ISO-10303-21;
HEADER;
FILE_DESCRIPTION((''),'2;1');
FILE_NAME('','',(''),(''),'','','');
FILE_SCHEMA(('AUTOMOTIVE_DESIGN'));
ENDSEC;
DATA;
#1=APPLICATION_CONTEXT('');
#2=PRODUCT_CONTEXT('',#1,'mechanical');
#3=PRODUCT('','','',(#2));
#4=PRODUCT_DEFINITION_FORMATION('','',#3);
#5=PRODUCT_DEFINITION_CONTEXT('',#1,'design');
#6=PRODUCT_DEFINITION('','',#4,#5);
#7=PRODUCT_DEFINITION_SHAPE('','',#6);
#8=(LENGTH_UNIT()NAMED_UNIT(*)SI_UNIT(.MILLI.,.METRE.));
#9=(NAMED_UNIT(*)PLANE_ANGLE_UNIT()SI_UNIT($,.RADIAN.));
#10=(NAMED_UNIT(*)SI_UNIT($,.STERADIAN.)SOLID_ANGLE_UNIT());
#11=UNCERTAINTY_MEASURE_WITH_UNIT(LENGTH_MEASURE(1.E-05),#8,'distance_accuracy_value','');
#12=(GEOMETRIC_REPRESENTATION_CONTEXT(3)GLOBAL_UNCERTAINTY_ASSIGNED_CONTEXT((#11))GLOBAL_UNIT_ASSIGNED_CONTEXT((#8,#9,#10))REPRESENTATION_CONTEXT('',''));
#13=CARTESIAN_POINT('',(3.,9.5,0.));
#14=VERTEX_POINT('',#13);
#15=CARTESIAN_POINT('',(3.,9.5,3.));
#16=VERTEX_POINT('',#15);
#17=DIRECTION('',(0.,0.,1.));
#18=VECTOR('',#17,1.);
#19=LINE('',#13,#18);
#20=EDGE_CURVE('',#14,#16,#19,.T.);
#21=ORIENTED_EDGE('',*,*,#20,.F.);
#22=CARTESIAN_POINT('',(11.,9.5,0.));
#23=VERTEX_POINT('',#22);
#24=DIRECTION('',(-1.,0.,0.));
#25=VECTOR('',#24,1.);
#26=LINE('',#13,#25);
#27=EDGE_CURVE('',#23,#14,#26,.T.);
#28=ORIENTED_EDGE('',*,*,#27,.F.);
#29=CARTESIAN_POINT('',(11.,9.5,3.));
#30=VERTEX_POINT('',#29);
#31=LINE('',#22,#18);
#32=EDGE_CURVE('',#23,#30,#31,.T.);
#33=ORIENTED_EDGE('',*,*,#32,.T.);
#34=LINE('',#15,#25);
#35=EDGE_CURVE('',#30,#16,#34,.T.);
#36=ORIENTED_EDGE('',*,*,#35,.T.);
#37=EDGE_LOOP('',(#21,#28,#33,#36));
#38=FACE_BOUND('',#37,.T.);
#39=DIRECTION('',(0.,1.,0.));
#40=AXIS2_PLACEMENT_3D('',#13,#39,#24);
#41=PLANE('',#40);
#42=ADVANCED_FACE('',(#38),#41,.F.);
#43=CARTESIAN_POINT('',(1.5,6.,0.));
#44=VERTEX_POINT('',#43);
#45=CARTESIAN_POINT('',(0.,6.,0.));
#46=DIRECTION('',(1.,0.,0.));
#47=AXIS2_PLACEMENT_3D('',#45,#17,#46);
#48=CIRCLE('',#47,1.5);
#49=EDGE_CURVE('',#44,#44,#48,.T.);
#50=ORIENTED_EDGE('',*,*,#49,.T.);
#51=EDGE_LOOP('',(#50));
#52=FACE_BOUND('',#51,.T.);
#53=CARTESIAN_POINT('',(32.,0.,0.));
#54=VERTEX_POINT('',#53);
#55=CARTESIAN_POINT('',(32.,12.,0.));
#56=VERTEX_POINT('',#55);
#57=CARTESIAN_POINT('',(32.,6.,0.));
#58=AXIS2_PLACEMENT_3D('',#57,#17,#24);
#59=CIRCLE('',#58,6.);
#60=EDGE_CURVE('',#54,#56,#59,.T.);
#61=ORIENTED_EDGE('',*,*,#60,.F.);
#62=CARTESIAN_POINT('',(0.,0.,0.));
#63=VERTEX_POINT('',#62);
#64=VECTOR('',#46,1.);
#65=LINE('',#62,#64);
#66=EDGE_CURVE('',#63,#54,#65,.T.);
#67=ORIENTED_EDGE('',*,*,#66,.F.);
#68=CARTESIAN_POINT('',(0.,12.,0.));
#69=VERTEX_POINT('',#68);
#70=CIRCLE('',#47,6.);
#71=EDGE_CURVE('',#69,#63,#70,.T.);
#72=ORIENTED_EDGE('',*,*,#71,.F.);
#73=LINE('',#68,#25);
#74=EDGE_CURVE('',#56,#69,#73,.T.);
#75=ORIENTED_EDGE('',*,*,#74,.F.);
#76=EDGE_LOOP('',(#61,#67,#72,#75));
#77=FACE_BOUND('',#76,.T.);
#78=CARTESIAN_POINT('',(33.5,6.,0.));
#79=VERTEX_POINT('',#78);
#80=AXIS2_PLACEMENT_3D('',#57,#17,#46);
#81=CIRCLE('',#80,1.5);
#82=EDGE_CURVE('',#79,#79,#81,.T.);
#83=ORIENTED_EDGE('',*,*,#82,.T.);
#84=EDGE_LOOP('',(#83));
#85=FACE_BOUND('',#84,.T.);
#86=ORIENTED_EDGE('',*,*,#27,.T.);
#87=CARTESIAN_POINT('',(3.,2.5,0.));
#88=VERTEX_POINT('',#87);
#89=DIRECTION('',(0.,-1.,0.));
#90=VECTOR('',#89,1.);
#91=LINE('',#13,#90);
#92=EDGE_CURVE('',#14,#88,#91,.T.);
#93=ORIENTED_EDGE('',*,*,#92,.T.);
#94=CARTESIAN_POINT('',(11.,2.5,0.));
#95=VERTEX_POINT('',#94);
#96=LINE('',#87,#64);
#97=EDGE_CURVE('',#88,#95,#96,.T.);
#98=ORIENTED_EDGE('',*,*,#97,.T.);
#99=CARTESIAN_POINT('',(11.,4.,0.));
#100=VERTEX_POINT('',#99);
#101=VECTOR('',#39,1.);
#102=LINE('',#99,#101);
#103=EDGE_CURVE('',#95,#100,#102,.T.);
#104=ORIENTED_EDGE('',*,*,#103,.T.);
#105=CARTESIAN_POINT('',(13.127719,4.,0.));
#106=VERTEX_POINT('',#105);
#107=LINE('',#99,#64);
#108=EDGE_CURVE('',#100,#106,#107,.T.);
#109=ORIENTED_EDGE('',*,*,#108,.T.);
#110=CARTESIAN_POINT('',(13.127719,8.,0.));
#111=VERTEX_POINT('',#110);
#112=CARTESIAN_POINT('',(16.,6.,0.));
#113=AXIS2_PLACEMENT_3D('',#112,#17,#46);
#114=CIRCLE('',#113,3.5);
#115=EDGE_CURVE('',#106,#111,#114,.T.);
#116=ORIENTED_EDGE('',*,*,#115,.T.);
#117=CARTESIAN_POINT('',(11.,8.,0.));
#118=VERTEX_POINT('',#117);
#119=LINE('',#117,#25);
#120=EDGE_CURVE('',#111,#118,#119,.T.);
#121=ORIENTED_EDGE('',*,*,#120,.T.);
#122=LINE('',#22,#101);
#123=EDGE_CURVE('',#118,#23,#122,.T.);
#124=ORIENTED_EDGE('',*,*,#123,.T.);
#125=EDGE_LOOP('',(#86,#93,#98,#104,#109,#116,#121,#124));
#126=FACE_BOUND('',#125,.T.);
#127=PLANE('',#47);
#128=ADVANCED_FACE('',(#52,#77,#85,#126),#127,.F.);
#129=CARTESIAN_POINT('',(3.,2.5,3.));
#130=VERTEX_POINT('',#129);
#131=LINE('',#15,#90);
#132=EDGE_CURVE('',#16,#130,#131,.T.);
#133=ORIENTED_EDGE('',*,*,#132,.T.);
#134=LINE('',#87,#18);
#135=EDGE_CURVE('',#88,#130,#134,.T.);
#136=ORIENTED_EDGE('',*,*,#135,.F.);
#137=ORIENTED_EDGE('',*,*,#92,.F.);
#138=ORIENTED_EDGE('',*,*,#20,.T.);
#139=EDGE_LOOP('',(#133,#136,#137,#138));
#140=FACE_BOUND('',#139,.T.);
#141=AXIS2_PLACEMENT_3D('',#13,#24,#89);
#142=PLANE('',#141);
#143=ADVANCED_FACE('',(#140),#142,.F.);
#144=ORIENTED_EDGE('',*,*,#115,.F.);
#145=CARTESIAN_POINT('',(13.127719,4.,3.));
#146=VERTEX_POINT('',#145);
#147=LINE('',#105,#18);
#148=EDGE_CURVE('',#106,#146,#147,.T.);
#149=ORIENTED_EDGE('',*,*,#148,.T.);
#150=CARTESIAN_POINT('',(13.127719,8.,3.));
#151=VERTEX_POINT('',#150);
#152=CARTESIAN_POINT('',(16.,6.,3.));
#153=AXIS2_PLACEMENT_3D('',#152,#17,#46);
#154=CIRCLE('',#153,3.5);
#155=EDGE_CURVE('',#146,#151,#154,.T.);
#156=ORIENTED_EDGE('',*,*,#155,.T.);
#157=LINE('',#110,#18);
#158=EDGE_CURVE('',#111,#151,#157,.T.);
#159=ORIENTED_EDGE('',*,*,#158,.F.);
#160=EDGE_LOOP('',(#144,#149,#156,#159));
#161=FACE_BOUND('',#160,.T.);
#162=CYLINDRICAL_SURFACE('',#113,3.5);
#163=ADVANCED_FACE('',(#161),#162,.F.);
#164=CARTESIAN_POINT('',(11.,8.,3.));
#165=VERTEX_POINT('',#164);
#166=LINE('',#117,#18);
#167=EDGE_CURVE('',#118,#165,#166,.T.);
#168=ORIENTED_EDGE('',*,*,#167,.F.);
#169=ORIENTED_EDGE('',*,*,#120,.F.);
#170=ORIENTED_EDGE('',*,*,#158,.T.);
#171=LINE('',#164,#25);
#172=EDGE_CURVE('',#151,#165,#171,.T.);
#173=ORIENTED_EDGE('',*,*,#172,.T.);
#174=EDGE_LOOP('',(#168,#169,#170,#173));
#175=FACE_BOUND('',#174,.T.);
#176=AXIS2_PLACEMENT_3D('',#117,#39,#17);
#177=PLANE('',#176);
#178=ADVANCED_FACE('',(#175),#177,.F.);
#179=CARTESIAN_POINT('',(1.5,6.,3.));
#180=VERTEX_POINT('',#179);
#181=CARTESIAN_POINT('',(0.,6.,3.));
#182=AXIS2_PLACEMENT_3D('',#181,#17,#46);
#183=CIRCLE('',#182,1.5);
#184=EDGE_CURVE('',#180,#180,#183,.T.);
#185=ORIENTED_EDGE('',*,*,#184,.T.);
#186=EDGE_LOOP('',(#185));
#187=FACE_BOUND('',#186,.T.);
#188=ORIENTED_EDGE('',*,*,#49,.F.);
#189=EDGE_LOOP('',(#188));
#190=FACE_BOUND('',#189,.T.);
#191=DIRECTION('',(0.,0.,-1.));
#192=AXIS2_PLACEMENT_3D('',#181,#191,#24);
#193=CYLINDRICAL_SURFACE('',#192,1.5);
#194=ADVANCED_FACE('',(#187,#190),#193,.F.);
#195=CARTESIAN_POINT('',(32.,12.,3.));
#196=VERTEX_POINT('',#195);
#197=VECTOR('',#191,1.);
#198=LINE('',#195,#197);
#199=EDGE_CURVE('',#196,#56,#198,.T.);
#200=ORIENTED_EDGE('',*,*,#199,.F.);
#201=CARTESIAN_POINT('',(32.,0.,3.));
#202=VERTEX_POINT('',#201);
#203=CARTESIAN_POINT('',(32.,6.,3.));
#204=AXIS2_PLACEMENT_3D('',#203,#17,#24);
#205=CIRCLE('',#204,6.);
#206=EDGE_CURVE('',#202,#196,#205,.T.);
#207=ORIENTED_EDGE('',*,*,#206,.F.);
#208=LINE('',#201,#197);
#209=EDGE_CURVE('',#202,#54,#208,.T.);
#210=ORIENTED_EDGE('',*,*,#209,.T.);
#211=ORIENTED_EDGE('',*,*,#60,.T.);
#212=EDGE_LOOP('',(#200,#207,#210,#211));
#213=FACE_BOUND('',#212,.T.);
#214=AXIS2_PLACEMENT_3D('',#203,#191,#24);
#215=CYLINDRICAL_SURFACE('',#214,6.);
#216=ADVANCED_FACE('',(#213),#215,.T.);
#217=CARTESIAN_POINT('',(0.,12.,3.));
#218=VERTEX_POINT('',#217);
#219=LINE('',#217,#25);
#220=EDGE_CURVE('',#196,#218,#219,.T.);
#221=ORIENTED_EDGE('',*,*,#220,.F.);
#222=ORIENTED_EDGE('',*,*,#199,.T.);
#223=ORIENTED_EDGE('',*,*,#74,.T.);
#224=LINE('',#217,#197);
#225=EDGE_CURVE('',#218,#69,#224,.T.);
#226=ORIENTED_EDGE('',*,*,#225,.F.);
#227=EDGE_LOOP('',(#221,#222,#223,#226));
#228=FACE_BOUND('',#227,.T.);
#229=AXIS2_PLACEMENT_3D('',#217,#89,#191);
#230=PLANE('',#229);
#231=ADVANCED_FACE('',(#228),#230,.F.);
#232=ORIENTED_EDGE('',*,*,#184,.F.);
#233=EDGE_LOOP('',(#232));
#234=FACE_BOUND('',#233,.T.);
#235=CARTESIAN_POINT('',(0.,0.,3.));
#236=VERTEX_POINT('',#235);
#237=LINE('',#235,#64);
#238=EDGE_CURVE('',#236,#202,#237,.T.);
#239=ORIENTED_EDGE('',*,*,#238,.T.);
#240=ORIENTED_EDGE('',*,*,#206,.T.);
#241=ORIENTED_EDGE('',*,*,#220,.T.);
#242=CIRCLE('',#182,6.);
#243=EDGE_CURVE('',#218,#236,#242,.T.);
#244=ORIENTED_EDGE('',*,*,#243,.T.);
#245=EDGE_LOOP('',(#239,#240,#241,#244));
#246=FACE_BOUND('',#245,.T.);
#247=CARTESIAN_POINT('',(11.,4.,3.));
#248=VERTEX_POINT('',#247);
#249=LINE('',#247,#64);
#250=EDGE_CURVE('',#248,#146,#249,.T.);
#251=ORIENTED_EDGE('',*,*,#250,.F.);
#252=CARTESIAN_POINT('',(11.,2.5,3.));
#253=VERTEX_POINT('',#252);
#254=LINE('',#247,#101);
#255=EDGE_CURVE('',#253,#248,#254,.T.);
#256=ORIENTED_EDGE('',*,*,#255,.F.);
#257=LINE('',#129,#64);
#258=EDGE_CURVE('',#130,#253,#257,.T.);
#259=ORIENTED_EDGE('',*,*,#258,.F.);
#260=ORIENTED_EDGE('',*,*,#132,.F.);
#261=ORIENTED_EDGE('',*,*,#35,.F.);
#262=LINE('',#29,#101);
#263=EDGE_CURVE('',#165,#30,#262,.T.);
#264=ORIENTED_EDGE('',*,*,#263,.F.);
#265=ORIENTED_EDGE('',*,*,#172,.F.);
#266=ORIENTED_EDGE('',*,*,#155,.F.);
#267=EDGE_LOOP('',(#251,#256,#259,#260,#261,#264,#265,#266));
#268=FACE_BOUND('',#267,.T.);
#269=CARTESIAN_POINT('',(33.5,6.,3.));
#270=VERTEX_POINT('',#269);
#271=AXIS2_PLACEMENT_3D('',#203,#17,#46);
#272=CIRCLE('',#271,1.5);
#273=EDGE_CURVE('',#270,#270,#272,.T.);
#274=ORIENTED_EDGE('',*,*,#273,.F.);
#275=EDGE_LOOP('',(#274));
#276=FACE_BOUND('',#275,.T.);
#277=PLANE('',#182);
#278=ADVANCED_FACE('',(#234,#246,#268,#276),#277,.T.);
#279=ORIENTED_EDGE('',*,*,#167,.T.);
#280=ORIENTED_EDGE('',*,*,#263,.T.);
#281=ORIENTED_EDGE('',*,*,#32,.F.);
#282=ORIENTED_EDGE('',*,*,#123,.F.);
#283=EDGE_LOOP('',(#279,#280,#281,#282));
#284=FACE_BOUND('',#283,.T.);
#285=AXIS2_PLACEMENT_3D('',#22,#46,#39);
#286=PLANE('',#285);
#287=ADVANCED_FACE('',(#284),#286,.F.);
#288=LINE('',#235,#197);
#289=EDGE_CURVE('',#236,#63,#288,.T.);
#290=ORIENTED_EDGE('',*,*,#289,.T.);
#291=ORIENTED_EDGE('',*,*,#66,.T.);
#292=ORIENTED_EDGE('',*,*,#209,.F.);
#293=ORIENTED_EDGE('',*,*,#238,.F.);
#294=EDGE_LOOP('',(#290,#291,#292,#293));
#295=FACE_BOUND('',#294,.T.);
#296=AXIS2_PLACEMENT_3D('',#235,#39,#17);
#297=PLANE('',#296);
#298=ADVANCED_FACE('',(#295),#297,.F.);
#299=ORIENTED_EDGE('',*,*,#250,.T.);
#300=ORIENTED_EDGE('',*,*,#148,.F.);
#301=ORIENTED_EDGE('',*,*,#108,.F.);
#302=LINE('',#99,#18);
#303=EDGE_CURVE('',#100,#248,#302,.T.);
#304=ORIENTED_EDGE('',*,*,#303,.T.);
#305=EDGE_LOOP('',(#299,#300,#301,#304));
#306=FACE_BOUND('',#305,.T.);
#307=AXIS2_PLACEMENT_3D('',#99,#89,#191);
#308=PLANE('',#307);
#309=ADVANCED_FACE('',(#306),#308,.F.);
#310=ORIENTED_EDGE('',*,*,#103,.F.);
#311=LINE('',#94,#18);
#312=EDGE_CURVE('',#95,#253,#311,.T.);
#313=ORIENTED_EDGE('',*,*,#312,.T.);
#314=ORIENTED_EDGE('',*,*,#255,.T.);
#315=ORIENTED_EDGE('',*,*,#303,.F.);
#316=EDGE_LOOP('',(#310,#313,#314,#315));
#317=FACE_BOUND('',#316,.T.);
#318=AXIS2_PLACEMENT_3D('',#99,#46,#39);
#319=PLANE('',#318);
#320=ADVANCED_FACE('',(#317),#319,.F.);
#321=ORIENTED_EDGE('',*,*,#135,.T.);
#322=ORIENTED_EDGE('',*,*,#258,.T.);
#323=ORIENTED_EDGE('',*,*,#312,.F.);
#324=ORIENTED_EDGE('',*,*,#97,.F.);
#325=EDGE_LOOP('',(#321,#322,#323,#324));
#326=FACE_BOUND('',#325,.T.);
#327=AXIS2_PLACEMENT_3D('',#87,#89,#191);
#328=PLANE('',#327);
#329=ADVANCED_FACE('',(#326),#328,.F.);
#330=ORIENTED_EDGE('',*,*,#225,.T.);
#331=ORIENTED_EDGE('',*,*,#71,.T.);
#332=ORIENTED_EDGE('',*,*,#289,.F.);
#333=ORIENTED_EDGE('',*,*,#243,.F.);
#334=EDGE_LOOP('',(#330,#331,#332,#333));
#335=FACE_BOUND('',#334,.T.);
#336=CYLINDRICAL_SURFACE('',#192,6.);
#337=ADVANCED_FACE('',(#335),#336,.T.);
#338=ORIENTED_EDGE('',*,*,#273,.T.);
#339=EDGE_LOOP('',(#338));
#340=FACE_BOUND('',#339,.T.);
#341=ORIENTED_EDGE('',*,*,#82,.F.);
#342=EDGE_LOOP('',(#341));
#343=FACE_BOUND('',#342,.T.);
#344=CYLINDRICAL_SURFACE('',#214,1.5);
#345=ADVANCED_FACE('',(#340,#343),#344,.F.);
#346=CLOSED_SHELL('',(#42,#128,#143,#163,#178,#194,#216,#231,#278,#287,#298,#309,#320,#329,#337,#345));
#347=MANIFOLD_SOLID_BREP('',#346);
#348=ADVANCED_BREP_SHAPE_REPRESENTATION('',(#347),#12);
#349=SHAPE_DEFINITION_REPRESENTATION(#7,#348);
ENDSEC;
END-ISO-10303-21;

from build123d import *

# Parameters (mm, degrees)
SKETCH1_R           = 1.5
BOSS_EXTRUDE1_DEPTH = 3
CUT_EXTRUDE1_DEPTH  = 40.962482405


with BuildPart() as part:
    # Sketch1 → Boss-Extrude1 (new body)
    with BuildSketch(Plane.XY):
        with BuildLine():
            Line((0, 0), (32, 0))
            ThreePointArc((32, 0), (38, 6), (32, 12))
            Line((32, 12), (0, 12))
            ThreePointArc((0, 12), (-6, 6), (0, 0))
        make_face()
        with Locations((0, 6)):
            Circle(SKETCH1_R, mode=Mode.SUBTRACT)
        with Locations((32, 6)):
            Circle(SKETCH1_R, mode=Mode.SUBTRACT)
    extrude(amount=BOSS_EXTRUDE1_DEPTH)

    # Sketch2 → Cut-Extrude1 (cut, through all)
    with BuildSketch(Plane.XY.offset(3)):
        with BuildLine():
            Line((3, 9.5), (11, 9.5))
            Line((11, 9.5), (11, 8))
            Line((11, 8), (13.127718677, 8))
            ThreePointArc((13.127718677, 8), (19.5, 6), (13.127718677, 4))
            Line((13.127718677, 4), (11, 4))
            Line((11, 4), (11, 2.5))
            Line((11, 2.5), (3, 2.5))
            Line((3, 2.5), (3, 9.5))
        make_face()
    extrude(amount=-CUT_EXTRUDE1_DEPTH, mode=Mode.SUBTRACT)


solid = part.part
